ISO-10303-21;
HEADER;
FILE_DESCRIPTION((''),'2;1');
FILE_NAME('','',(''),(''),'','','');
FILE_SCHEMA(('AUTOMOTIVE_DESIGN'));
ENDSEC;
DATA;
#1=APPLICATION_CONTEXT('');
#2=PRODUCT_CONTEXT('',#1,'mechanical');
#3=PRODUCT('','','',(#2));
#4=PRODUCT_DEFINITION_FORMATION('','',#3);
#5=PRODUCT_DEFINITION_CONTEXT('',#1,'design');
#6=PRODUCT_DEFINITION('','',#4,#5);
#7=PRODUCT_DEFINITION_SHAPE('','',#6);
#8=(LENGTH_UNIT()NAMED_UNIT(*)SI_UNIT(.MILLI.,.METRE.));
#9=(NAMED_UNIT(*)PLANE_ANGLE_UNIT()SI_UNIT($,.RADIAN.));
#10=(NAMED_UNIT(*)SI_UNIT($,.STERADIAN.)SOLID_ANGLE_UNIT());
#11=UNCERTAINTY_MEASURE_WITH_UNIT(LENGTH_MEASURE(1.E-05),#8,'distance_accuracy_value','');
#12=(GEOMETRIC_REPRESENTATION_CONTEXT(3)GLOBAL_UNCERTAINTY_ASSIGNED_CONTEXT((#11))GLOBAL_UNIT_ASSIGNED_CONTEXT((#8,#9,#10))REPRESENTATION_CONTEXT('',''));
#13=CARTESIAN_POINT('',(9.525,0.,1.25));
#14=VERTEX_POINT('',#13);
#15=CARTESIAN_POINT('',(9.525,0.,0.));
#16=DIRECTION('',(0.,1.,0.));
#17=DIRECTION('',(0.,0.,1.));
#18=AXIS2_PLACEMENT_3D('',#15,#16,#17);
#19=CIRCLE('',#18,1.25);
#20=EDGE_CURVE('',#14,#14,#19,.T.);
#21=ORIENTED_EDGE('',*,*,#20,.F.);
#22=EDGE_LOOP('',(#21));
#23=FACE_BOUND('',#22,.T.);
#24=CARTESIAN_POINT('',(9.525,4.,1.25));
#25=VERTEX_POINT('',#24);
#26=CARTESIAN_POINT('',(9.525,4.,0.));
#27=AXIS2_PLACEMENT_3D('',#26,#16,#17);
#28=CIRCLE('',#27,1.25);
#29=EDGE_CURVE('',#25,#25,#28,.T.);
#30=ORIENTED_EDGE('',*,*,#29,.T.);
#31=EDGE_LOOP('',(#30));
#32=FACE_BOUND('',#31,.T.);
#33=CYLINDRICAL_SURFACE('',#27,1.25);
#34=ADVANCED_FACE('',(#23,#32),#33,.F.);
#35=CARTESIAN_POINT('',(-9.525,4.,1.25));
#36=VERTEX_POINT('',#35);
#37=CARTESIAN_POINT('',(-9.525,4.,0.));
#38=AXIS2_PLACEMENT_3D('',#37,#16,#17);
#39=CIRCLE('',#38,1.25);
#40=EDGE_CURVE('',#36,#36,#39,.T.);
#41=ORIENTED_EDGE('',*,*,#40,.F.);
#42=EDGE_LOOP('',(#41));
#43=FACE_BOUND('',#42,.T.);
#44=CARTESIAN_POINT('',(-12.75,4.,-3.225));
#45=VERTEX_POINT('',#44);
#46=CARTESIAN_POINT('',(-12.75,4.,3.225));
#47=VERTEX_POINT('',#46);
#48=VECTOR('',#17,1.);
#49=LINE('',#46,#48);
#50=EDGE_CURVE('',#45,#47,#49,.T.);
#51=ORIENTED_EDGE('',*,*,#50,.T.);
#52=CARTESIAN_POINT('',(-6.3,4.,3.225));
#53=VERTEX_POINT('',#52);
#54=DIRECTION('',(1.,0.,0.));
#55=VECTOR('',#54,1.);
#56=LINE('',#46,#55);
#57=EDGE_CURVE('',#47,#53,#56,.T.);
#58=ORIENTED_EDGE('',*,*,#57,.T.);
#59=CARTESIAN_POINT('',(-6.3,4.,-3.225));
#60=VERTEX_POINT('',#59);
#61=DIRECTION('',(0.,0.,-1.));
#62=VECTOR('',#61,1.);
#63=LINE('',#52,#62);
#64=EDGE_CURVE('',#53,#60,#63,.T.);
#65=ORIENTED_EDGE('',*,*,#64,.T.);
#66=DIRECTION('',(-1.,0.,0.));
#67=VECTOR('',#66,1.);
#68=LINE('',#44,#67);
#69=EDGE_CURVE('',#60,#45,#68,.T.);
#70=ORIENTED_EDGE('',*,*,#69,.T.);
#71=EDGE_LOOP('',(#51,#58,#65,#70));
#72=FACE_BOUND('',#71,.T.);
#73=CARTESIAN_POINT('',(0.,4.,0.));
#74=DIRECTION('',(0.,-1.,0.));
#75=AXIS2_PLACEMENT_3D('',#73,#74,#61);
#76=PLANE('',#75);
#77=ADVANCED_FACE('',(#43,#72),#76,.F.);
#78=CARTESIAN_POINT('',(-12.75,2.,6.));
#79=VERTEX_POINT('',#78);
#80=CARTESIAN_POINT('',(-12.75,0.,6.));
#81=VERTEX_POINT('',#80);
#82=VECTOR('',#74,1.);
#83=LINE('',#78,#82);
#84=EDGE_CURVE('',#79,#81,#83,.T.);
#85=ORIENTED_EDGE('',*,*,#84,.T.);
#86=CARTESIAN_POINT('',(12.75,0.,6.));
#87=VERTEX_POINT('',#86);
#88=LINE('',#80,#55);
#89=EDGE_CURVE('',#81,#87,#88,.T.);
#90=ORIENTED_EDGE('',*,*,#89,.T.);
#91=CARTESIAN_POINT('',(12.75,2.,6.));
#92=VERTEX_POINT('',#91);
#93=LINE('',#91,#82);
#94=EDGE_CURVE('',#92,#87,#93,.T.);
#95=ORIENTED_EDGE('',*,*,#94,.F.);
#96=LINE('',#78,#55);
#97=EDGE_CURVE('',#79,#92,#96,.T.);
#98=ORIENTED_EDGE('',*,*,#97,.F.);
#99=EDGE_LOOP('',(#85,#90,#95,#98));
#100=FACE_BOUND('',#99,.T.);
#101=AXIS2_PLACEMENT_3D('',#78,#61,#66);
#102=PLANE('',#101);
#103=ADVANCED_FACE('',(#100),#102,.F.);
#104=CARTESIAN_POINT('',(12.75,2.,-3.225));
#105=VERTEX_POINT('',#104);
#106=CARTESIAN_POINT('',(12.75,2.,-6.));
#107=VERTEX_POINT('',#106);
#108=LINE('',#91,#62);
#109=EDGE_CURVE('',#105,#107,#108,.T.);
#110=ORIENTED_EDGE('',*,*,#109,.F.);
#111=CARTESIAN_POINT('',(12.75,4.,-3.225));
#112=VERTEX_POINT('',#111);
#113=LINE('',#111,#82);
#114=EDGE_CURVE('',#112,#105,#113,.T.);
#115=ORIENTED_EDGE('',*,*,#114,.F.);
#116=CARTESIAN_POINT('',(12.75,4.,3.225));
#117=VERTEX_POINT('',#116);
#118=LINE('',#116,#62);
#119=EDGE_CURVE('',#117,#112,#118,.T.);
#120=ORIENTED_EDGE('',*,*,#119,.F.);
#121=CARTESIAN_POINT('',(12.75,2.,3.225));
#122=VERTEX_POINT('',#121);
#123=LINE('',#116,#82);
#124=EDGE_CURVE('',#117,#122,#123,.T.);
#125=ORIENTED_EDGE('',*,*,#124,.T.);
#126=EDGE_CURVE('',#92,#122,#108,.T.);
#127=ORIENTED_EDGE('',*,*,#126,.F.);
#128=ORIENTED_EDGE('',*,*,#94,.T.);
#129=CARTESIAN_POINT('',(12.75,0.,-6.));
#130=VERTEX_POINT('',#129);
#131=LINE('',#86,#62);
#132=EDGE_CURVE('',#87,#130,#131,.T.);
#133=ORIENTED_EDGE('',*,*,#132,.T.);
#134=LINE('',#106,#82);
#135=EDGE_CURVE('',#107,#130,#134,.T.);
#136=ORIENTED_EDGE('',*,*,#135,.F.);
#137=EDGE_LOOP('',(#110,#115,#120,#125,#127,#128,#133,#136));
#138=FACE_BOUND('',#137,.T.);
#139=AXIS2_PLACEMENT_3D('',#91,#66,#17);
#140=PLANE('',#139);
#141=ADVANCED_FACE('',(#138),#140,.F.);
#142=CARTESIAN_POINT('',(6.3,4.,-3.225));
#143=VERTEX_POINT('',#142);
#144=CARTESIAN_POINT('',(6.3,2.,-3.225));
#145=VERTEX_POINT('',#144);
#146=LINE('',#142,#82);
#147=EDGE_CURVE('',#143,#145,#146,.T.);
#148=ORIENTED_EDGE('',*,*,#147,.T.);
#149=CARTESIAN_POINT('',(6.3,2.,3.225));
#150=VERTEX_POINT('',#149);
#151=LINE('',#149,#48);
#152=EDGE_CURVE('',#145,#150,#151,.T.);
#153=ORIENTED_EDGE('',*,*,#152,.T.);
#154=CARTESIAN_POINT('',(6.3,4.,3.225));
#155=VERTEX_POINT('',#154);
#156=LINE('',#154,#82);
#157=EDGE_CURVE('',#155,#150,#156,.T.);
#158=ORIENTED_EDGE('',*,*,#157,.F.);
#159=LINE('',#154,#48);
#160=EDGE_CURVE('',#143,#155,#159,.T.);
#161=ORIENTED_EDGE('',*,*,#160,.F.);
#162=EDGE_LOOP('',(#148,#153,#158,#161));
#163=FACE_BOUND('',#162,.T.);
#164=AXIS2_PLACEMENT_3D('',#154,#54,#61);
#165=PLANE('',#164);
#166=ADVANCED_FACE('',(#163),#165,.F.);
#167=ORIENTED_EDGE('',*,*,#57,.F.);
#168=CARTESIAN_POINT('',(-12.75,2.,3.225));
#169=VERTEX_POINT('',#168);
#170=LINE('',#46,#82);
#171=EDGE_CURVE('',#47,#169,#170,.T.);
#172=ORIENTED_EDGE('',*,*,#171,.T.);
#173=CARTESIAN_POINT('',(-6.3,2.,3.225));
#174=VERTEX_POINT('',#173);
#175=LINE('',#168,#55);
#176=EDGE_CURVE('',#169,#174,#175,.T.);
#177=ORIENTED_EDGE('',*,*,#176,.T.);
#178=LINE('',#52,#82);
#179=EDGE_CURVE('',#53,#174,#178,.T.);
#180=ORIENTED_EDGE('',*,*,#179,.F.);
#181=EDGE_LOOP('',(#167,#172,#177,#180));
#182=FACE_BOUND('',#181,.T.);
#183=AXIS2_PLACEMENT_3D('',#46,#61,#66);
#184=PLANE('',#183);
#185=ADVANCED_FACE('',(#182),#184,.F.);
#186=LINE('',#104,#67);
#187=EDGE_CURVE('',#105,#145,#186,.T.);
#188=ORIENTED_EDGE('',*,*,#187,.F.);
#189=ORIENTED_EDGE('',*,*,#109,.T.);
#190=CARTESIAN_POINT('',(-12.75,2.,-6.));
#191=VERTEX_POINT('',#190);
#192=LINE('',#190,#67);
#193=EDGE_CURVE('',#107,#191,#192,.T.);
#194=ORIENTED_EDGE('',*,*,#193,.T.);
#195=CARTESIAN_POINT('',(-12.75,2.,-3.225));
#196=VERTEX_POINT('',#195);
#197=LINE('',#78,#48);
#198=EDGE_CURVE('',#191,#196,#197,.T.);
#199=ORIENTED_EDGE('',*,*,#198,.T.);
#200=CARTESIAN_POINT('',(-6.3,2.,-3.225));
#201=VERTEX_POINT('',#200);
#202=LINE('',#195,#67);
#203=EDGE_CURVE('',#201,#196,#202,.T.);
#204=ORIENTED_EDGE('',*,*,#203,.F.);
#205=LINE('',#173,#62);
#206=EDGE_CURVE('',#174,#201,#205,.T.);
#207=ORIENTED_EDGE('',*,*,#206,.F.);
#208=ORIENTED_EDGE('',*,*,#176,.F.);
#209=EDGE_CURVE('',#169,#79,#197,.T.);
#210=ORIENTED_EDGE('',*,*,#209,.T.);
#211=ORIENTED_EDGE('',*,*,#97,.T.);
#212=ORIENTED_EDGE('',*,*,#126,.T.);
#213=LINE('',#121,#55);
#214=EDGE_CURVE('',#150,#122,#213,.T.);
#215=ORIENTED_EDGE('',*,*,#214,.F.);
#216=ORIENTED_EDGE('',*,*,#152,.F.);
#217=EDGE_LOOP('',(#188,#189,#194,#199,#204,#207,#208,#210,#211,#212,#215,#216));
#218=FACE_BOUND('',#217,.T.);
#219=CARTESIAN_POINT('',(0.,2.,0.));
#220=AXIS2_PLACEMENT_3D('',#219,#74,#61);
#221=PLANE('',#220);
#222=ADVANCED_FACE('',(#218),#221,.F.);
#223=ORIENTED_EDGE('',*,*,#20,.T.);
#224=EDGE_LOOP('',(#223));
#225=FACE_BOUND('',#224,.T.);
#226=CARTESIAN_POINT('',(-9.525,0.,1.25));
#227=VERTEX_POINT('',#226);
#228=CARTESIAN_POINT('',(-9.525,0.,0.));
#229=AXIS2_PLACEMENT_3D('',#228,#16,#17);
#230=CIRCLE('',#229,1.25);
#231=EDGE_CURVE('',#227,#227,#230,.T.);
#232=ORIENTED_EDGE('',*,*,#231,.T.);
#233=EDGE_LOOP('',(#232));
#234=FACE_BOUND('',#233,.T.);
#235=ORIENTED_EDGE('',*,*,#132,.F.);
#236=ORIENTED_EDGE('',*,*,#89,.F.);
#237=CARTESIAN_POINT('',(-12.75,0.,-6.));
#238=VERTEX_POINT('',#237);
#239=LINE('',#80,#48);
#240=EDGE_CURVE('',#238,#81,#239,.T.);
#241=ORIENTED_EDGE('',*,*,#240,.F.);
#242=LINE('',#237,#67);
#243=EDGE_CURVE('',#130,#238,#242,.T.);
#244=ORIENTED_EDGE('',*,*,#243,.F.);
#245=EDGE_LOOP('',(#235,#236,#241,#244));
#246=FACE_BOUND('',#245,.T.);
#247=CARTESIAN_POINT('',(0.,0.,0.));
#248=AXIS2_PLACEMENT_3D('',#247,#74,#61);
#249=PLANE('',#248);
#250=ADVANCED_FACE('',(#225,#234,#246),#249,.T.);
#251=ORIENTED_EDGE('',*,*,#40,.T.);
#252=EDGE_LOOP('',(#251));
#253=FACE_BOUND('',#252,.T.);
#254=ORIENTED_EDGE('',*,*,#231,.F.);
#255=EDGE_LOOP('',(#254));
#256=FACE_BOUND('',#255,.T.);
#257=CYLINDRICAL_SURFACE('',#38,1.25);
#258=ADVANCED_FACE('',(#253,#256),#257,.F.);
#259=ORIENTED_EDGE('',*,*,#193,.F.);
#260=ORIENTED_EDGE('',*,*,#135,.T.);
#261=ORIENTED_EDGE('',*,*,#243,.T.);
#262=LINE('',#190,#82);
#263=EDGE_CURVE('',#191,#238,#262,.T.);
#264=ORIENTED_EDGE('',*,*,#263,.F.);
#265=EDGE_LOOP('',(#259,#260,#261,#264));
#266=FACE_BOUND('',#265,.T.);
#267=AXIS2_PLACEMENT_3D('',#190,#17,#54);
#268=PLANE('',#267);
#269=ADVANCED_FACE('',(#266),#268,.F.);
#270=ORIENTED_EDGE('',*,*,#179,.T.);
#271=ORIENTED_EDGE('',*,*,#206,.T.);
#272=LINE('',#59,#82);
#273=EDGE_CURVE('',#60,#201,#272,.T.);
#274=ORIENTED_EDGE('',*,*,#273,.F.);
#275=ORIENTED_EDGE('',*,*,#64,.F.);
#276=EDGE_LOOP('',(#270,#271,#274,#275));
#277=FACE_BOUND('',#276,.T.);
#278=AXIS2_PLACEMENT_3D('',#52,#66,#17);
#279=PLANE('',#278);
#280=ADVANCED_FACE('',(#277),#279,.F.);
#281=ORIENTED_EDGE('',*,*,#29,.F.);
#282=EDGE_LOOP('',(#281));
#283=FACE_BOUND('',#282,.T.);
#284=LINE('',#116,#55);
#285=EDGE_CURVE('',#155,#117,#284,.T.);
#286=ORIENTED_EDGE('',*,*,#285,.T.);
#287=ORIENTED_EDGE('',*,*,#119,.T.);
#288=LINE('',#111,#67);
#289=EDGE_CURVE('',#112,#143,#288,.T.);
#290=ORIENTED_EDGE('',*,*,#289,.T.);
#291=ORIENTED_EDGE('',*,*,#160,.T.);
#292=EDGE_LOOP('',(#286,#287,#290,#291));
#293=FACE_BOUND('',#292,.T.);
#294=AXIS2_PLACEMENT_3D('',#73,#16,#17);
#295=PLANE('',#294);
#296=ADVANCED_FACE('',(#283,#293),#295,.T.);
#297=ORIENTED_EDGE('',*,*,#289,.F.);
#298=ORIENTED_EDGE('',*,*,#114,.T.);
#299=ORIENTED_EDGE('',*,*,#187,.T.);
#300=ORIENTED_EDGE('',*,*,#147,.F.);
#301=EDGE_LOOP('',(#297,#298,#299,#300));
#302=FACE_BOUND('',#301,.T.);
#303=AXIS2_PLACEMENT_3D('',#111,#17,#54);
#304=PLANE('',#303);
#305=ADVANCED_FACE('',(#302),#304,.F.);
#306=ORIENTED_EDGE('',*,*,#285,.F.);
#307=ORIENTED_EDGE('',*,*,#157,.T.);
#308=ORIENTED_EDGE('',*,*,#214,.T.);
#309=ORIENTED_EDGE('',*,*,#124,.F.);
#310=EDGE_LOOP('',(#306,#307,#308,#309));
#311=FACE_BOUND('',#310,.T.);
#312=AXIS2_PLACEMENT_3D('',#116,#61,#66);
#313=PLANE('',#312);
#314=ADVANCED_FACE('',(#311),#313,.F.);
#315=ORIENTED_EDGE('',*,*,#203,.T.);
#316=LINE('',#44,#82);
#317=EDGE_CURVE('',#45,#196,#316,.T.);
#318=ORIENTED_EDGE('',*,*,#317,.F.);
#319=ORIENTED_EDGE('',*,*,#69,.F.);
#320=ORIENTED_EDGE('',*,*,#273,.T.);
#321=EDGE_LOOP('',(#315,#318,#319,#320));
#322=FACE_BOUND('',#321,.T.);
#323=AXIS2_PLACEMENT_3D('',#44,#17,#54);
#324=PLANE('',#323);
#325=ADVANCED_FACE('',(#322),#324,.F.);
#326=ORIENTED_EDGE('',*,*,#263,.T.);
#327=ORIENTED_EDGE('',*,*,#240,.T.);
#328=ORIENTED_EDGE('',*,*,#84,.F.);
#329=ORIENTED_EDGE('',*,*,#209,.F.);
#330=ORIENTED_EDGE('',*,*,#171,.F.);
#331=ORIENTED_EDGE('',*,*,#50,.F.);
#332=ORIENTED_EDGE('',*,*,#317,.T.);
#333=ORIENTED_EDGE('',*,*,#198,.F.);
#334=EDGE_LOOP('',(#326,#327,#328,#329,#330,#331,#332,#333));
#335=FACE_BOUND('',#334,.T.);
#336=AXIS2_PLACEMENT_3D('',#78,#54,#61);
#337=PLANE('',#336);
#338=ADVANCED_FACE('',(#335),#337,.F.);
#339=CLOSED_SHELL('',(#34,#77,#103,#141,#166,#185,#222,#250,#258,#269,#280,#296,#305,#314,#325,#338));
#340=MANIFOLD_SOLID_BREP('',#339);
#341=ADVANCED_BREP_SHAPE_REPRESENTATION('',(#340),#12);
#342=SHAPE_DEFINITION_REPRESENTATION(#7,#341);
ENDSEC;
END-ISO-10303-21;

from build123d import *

# Parameters (mm, degrees)
SKETCH2_W             = 25.5
SKETCH2_H             = 12
BOSS_EXTRUDE1_DEPTH   = 2
SKETCH3_W             = 6.45
SKETCH3_H             = 6.45
BOSS_EXTRUDE2_DEPTH   = 2
M3X0_5_TAPPED_HOLE1_D = 2.5


with BuildPart() as part:
    # Sketch2 → Boss-Extrude1 (new body)
    with BuildSketch(Plane(origin=(0, 0, 0), x_dir=(1, 0, 0), z_dir=(0, 1, 0))):
        Rectangle(SKETCH2_W, SKETCH2_H)
    extrude(amount=BOSS_EXTRUDE1_DEPTH)

    # Sketch3 → Boss-Extrude2 (add)
    with BuildSketch(Plane(origin=(0, 2, 0), x_dir=(1, 0, 0), z_dir=(0, 1, 0))):
        with Locations((-9.525, 0)):
            Rectangle(SKETCH3_W, SKETCH3_H)
        with Locations((9.525, 0)):
            Rectangle(SKETCH3_W, SKETCH3_H)
    extrude(amount=BOSS_EXTRUDE2_DEPTH)

    # M3x0.5 Tapped Hole1 (through all)
    with Locations(Plane(origin=(0, 4, 0), x_dir=(1, 0, 0), z_dir=(0, 1, 0))):
        with Locations((-9.525, 0), (9.525, 0)):
            Hole(M3X0_5_TAPPED_HOLE1_D / 2)


solid = part.part
